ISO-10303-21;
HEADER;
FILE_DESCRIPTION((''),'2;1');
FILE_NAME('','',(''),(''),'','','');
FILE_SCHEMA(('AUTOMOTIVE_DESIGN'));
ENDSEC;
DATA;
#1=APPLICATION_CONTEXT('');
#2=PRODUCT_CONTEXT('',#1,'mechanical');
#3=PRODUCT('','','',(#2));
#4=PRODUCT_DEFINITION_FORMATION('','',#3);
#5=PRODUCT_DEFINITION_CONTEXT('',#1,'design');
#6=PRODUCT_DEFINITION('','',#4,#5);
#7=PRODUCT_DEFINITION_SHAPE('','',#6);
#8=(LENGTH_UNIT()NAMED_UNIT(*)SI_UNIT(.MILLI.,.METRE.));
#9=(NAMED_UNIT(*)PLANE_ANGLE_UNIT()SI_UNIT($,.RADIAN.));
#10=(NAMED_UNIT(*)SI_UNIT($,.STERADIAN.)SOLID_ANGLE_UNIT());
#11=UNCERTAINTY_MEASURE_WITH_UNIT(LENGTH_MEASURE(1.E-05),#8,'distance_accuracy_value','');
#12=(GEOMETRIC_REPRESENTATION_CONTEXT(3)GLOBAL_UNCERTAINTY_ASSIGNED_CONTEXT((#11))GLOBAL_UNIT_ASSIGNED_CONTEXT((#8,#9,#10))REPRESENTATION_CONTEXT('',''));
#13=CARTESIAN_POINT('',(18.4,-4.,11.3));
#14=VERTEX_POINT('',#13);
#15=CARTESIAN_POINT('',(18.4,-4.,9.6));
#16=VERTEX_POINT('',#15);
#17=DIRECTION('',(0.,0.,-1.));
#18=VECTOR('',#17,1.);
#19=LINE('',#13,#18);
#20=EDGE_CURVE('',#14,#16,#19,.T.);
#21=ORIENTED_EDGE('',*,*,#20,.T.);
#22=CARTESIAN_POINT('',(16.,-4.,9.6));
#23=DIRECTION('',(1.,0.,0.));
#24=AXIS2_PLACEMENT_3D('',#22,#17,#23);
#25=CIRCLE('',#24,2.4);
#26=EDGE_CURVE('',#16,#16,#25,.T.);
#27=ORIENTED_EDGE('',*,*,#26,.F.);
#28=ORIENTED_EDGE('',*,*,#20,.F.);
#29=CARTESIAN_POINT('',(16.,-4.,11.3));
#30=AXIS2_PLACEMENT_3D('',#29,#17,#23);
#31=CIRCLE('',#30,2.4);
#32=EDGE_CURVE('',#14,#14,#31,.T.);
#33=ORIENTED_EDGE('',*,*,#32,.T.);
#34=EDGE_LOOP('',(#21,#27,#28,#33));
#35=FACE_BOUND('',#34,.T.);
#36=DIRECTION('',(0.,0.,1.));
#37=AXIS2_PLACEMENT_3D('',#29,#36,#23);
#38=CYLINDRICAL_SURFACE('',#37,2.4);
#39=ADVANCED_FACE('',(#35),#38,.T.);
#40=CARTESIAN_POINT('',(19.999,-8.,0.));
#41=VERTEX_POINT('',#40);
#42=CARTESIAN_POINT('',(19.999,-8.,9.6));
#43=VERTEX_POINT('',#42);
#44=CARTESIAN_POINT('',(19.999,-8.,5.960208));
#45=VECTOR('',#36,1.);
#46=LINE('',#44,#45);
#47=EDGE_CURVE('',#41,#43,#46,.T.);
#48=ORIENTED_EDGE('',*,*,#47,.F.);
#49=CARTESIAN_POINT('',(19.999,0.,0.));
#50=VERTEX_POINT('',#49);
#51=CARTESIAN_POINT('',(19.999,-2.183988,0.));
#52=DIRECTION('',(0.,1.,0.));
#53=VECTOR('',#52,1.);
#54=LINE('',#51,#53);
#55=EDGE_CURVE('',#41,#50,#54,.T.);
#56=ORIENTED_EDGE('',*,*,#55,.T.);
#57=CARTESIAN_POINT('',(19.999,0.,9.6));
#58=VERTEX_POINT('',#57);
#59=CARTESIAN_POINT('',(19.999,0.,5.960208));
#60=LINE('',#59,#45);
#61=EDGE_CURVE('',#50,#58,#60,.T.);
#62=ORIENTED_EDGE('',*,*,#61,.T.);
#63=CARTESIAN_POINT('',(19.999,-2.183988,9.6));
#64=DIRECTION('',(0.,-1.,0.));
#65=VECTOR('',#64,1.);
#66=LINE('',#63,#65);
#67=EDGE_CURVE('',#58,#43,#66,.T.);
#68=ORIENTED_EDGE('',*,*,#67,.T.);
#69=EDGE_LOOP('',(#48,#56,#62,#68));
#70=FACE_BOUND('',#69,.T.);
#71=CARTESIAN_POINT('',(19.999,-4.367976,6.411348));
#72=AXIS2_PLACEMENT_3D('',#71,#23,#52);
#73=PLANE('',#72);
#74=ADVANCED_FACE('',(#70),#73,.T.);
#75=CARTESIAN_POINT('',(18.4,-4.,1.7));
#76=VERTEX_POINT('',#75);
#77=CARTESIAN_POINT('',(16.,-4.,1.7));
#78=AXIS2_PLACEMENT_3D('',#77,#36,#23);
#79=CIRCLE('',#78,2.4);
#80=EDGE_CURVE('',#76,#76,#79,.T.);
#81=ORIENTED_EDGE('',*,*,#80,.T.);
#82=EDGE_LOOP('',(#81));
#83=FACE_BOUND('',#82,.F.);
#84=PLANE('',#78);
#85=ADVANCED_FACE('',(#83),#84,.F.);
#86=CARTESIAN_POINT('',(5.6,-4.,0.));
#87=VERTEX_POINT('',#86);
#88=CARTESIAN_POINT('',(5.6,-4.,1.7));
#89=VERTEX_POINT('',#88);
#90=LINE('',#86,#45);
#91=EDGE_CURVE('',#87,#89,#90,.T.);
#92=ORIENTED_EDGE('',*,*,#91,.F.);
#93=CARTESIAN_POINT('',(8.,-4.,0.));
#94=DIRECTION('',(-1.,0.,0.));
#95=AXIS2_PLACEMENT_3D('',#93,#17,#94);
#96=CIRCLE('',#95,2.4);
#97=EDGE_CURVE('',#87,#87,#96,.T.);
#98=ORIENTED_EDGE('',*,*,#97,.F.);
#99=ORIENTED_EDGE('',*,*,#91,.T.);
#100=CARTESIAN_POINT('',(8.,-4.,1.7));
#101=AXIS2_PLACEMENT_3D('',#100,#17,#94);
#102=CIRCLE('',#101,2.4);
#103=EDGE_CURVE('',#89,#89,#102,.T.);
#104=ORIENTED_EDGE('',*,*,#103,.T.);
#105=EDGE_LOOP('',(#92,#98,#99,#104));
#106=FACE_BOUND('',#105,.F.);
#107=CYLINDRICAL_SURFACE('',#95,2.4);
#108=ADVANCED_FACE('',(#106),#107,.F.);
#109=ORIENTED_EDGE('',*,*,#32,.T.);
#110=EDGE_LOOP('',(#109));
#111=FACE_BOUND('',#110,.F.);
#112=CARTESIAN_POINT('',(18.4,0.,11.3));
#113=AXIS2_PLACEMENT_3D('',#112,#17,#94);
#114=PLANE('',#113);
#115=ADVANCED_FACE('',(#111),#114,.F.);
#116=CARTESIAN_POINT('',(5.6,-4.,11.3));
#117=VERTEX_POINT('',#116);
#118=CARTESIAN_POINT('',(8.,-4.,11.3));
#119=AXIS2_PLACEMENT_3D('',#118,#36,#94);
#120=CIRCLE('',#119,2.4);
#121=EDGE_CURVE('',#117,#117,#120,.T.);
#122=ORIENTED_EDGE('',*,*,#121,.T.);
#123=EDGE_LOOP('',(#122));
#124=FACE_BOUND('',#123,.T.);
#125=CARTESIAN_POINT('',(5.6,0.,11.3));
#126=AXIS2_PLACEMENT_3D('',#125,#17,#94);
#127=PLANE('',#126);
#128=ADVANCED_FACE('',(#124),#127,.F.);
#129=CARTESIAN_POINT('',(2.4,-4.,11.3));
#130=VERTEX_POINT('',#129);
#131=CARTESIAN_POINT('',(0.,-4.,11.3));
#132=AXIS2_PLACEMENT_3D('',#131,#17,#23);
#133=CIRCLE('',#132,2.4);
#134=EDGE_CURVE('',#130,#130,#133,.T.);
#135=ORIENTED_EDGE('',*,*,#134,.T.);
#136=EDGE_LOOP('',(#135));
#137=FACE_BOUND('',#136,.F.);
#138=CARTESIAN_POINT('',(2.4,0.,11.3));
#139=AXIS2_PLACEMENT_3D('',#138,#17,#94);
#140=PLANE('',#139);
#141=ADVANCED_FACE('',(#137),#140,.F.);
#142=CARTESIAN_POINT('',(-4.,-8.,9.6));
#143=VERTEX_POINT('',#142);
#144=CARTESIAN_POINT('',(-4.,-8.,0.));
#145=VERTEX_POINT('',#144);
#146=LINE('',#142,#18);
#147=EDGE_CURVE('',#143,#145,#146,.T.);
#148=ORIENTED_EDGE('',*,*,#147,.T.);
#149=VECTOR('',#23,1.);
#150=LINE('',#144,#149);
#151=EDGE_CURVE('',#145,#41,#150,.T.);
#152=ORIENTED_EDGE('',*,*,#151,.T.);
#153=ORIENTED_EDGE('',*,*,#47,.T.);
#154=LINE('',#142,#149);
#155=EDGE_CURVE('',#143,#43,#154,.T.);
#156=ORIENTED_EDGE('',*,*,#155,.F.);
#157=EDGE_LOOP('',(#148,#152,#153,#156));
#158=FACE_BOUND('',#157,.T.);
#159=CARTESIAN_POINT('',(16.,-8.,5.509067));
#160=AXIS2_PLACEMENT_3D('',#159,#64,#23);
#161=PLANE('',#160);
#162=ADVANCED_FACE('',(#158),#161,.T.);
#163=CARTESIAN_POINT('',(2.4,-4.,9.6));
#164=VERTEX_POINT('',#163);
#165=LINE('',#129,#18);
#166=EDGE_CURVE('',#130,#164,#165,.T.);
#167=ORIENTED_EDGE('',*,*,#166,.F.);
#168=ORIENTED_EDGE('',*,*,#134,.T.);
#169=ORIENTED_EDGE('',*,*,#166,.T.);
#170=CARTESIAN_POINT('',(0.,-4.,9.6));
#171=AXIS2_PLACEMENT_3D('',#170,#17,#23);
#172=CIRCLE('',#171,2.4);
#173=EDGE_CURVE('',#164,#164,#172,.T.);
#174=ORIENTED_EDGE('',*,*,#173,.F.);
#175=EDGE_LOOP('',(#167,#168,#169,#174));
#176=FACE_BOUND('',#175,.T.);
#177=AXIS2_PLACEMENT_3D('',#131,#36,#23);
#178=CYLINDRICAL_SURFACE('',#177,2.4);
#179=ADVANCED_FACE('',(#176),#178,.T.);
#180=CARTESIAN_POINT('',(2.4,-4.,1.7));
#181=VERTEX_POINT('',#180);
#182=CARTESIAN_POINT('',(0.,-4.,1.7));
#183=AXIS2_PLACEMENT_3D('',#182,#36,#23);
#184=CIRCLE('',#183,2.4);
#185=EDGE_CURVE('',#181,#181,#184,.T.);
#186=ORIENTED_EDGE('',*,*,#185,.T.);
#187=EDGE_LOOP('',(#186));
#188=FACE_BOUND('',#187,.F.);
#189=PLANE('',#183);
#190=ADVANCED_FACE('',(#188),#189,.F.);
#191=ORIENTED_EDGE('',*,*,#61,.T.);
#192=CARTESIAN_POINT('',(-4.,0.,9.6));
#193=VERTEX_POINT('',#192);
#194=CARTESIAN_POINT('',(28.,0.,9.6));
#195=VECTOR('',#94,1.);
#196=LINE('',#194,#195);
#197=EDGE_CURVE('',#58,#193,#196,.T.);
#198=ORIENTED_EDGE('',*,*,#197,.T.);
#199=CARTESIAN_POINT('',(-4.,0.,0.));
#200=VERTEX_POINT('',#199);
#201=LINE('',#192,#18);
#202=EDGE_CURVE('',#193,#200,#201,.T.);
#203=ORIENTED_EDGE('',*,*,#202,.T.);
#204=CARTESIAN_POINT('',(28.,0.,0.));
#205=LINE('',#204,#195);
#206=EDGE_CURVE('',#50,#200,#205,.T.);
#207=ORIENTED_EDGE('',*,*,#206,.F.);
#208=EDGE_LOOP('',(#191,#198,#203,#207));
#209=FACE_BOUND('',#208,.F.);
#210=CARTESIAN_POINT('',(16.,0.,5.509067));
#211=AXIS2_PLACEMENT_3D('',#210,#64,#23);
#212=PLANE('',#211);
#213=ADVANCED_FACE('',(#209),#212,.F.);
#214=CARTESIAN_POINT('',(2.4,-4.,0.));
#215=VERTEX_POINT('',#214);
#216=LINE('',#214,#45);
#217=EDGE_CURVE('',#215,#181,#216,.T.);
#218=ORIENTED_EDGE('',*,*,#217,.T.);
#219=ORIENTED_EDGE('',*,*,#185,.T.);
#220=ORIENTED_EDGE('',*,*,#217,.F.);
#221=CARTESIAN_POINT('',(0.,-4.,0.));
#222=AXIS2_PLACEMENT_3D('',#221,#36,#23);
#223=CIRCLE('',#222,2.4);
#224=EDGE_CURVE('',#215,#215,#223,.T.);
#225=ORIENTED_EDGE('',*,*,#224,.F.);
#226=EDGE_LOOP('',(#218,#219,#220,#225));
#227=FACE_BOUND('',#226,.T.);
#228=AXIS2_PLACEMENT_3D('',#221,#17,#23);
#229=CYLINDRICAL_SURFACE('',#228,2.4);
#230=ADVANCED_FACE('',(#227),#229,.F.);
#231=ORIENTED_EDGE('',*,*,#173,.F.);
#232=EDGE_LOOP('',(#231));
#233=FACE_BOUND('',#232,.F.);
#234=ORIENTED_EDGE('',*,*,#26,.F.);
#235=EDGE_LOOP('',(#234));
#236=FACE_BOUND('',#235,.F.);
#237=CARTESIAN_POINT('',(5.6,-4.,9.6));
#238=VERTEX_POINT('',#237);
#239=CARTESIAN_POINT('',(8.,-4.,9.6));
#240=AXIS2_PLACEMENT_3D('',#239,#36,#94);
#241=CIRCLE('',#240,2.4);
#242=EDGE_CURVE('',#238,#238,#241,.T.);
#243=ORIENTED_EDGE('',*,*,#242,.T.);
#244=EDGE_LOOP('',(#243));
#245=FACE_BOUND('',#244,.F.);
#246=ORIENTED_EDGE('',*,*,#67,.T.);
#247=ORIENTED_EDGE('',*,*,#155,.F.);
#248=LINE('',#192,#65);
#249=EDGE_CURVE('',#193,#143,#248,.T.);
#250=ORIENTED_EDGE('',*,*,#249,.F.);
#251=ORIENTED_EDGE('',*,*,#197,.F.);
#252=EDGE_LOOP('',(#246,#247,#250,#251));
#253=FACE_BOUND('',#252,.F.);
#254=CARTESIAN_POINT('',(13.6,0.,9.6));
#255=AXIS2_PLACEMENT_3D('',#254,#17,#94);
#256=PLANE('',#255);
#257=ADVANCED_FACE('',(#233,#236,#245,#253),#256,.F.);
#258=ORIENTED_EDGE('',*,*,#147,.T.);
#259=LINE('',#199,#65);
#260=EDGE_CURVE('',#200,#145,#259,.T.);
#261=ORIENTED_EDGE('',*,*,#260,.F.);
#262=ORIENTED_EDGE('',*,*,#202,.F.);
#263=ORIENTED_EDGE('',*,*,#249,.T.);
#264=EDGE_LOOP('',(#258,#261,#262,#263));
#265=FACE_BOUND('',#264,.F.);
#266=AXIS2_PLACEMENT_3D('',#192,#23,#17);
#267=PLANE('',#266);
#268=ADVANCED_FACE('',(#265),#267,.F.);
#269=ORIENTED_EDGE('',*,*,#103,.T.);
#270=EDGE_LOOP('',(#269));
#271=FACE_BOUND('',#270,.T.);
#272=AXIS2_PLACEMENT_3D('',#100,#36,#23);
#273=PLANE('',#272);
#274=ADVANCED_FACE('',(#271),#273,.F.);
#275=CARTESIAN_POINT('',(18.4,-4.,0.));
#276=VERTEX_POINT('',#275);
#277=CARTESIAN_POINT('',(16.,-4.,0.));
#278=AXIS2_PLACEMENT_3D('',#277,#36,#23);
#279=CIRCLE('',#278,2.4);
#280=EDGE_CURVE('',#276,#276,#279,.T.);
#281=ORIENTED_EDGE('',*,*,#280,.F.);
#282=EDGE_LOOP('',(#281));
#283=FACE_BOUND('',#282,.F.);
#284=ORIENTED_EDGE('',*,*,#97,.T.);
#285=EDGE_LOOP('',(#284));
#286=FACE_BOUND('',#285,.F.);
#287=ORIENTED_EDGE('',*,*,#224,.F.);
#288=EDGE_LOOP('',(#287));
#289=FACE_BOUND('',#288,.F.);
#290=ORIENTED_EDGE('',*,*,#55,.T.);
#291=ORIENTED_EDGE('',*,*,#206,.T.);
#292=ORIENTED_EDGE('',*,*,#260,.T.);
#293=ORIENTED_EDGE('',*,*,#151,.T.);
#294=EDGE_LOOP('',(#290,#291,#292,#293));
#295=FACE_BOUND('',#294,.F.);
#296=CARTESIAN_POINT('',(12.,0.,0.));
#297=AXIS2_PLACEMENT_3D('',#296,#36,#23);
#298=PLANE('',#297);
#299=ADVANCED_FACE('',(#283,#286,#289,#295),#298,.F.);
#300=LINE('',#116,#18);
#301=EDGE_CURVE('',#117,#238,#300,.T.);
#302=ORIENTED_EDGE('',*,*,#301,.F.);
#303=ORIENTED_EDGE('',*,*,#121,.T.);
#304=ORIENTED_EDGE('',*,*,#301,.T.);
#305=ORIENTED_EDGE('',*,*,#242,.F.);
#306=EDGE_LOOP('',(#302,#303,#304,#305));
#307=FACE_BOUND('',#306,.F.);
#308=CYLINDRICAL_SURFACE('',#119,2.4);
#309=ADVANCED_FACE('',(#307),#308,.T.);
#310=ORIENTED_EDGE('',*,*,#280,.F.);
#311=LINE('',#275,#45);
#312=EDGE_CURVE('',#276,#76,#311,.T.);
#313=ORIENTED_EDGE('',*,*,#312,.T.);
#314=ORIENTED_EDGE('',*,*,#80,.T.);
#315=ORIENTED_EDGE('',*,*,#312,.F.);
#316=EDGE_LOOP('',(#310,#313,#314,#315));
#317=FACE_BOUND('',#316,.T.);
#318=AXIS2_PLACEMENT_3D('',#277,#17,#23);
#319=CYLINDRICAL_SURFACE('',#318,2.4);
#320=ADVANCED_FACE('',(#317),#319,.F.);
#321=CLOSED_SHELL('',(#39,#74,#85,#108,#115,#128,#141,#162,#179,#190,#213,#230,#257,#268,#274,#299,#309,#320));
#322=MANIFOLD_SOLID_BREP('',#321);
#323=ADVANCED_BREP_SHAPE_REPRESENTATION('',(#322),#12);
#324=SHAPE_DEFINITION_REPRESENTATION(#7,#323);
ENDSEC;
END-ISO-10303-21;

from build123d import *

# Parameters (mm, degrees)
F1_DEPTH  = 8
F3_W      = 8
F3_H      = 8
F3_R      = 2.4
F4_DEPTH  = 1.7
F5_R      = 2.4
F6_DEPTH  = 1.7
F11_W     = 18.3417219669
F11_H     = 18.5978962108
F12_DEPTH = 8.001


with BuildPart() as f1:
    # F0 (on Front) → F1 (new body)
    with BuildSketch(Plane.XZ):
        Polygon((-2.4, 9.6), (-4, 9.6), (-4, 0), (4, 0), (4, 9.6), (2.4, 9.6), (2.4, 11.3), (-2.4, 11.3), align=None)
    extrude(amount=F1_DEPTH)

    # F3 (on plane+point) → F4 (cut, through all)
    with BuildSketch(Plane.XY.offset(11.3)):
        with Locations((0, -4)):
            Rectangle(F3_W, F3_H)
        with Locations((0, -4)):
            Circle(F3_R, mode=Mode.SUBTRACT)
    extrude(amount=-F4_DEPTH, mode=Mode.SUBTRACT)

    # F5 (on Top) → F6 (cut)
    with BuildSketch(Plane.XY):
        with Locations((0, -4)):
            Circle(F5_R)
    extrude(amount=F6_DEPTH, mode=Mode.SUBTRACT)

    # F8: F1 across plane


with BuildPart() as f1_1:
    add(f1.part)
    add(f1.part.mirror(Plane.YZ.offset(4)))

    # F10: F1 across plane


with BuildPart() as f1_2:
    add(f1_1.part)
    add(f1_1.part.mirror(Plane.YZ.offset(12)))

    # F11 (on face) → F12 (cut)
    with BuildSketch(Plane.YZ.offset(28)):
        with Locations((-4.3679764494, 6.4113480039)):
            Rectangle(F11_W, F11_H)
    extrude(amount=-F12_DEPTH, mode=Mode.SUBTRACT)


solid = f1_2.part
